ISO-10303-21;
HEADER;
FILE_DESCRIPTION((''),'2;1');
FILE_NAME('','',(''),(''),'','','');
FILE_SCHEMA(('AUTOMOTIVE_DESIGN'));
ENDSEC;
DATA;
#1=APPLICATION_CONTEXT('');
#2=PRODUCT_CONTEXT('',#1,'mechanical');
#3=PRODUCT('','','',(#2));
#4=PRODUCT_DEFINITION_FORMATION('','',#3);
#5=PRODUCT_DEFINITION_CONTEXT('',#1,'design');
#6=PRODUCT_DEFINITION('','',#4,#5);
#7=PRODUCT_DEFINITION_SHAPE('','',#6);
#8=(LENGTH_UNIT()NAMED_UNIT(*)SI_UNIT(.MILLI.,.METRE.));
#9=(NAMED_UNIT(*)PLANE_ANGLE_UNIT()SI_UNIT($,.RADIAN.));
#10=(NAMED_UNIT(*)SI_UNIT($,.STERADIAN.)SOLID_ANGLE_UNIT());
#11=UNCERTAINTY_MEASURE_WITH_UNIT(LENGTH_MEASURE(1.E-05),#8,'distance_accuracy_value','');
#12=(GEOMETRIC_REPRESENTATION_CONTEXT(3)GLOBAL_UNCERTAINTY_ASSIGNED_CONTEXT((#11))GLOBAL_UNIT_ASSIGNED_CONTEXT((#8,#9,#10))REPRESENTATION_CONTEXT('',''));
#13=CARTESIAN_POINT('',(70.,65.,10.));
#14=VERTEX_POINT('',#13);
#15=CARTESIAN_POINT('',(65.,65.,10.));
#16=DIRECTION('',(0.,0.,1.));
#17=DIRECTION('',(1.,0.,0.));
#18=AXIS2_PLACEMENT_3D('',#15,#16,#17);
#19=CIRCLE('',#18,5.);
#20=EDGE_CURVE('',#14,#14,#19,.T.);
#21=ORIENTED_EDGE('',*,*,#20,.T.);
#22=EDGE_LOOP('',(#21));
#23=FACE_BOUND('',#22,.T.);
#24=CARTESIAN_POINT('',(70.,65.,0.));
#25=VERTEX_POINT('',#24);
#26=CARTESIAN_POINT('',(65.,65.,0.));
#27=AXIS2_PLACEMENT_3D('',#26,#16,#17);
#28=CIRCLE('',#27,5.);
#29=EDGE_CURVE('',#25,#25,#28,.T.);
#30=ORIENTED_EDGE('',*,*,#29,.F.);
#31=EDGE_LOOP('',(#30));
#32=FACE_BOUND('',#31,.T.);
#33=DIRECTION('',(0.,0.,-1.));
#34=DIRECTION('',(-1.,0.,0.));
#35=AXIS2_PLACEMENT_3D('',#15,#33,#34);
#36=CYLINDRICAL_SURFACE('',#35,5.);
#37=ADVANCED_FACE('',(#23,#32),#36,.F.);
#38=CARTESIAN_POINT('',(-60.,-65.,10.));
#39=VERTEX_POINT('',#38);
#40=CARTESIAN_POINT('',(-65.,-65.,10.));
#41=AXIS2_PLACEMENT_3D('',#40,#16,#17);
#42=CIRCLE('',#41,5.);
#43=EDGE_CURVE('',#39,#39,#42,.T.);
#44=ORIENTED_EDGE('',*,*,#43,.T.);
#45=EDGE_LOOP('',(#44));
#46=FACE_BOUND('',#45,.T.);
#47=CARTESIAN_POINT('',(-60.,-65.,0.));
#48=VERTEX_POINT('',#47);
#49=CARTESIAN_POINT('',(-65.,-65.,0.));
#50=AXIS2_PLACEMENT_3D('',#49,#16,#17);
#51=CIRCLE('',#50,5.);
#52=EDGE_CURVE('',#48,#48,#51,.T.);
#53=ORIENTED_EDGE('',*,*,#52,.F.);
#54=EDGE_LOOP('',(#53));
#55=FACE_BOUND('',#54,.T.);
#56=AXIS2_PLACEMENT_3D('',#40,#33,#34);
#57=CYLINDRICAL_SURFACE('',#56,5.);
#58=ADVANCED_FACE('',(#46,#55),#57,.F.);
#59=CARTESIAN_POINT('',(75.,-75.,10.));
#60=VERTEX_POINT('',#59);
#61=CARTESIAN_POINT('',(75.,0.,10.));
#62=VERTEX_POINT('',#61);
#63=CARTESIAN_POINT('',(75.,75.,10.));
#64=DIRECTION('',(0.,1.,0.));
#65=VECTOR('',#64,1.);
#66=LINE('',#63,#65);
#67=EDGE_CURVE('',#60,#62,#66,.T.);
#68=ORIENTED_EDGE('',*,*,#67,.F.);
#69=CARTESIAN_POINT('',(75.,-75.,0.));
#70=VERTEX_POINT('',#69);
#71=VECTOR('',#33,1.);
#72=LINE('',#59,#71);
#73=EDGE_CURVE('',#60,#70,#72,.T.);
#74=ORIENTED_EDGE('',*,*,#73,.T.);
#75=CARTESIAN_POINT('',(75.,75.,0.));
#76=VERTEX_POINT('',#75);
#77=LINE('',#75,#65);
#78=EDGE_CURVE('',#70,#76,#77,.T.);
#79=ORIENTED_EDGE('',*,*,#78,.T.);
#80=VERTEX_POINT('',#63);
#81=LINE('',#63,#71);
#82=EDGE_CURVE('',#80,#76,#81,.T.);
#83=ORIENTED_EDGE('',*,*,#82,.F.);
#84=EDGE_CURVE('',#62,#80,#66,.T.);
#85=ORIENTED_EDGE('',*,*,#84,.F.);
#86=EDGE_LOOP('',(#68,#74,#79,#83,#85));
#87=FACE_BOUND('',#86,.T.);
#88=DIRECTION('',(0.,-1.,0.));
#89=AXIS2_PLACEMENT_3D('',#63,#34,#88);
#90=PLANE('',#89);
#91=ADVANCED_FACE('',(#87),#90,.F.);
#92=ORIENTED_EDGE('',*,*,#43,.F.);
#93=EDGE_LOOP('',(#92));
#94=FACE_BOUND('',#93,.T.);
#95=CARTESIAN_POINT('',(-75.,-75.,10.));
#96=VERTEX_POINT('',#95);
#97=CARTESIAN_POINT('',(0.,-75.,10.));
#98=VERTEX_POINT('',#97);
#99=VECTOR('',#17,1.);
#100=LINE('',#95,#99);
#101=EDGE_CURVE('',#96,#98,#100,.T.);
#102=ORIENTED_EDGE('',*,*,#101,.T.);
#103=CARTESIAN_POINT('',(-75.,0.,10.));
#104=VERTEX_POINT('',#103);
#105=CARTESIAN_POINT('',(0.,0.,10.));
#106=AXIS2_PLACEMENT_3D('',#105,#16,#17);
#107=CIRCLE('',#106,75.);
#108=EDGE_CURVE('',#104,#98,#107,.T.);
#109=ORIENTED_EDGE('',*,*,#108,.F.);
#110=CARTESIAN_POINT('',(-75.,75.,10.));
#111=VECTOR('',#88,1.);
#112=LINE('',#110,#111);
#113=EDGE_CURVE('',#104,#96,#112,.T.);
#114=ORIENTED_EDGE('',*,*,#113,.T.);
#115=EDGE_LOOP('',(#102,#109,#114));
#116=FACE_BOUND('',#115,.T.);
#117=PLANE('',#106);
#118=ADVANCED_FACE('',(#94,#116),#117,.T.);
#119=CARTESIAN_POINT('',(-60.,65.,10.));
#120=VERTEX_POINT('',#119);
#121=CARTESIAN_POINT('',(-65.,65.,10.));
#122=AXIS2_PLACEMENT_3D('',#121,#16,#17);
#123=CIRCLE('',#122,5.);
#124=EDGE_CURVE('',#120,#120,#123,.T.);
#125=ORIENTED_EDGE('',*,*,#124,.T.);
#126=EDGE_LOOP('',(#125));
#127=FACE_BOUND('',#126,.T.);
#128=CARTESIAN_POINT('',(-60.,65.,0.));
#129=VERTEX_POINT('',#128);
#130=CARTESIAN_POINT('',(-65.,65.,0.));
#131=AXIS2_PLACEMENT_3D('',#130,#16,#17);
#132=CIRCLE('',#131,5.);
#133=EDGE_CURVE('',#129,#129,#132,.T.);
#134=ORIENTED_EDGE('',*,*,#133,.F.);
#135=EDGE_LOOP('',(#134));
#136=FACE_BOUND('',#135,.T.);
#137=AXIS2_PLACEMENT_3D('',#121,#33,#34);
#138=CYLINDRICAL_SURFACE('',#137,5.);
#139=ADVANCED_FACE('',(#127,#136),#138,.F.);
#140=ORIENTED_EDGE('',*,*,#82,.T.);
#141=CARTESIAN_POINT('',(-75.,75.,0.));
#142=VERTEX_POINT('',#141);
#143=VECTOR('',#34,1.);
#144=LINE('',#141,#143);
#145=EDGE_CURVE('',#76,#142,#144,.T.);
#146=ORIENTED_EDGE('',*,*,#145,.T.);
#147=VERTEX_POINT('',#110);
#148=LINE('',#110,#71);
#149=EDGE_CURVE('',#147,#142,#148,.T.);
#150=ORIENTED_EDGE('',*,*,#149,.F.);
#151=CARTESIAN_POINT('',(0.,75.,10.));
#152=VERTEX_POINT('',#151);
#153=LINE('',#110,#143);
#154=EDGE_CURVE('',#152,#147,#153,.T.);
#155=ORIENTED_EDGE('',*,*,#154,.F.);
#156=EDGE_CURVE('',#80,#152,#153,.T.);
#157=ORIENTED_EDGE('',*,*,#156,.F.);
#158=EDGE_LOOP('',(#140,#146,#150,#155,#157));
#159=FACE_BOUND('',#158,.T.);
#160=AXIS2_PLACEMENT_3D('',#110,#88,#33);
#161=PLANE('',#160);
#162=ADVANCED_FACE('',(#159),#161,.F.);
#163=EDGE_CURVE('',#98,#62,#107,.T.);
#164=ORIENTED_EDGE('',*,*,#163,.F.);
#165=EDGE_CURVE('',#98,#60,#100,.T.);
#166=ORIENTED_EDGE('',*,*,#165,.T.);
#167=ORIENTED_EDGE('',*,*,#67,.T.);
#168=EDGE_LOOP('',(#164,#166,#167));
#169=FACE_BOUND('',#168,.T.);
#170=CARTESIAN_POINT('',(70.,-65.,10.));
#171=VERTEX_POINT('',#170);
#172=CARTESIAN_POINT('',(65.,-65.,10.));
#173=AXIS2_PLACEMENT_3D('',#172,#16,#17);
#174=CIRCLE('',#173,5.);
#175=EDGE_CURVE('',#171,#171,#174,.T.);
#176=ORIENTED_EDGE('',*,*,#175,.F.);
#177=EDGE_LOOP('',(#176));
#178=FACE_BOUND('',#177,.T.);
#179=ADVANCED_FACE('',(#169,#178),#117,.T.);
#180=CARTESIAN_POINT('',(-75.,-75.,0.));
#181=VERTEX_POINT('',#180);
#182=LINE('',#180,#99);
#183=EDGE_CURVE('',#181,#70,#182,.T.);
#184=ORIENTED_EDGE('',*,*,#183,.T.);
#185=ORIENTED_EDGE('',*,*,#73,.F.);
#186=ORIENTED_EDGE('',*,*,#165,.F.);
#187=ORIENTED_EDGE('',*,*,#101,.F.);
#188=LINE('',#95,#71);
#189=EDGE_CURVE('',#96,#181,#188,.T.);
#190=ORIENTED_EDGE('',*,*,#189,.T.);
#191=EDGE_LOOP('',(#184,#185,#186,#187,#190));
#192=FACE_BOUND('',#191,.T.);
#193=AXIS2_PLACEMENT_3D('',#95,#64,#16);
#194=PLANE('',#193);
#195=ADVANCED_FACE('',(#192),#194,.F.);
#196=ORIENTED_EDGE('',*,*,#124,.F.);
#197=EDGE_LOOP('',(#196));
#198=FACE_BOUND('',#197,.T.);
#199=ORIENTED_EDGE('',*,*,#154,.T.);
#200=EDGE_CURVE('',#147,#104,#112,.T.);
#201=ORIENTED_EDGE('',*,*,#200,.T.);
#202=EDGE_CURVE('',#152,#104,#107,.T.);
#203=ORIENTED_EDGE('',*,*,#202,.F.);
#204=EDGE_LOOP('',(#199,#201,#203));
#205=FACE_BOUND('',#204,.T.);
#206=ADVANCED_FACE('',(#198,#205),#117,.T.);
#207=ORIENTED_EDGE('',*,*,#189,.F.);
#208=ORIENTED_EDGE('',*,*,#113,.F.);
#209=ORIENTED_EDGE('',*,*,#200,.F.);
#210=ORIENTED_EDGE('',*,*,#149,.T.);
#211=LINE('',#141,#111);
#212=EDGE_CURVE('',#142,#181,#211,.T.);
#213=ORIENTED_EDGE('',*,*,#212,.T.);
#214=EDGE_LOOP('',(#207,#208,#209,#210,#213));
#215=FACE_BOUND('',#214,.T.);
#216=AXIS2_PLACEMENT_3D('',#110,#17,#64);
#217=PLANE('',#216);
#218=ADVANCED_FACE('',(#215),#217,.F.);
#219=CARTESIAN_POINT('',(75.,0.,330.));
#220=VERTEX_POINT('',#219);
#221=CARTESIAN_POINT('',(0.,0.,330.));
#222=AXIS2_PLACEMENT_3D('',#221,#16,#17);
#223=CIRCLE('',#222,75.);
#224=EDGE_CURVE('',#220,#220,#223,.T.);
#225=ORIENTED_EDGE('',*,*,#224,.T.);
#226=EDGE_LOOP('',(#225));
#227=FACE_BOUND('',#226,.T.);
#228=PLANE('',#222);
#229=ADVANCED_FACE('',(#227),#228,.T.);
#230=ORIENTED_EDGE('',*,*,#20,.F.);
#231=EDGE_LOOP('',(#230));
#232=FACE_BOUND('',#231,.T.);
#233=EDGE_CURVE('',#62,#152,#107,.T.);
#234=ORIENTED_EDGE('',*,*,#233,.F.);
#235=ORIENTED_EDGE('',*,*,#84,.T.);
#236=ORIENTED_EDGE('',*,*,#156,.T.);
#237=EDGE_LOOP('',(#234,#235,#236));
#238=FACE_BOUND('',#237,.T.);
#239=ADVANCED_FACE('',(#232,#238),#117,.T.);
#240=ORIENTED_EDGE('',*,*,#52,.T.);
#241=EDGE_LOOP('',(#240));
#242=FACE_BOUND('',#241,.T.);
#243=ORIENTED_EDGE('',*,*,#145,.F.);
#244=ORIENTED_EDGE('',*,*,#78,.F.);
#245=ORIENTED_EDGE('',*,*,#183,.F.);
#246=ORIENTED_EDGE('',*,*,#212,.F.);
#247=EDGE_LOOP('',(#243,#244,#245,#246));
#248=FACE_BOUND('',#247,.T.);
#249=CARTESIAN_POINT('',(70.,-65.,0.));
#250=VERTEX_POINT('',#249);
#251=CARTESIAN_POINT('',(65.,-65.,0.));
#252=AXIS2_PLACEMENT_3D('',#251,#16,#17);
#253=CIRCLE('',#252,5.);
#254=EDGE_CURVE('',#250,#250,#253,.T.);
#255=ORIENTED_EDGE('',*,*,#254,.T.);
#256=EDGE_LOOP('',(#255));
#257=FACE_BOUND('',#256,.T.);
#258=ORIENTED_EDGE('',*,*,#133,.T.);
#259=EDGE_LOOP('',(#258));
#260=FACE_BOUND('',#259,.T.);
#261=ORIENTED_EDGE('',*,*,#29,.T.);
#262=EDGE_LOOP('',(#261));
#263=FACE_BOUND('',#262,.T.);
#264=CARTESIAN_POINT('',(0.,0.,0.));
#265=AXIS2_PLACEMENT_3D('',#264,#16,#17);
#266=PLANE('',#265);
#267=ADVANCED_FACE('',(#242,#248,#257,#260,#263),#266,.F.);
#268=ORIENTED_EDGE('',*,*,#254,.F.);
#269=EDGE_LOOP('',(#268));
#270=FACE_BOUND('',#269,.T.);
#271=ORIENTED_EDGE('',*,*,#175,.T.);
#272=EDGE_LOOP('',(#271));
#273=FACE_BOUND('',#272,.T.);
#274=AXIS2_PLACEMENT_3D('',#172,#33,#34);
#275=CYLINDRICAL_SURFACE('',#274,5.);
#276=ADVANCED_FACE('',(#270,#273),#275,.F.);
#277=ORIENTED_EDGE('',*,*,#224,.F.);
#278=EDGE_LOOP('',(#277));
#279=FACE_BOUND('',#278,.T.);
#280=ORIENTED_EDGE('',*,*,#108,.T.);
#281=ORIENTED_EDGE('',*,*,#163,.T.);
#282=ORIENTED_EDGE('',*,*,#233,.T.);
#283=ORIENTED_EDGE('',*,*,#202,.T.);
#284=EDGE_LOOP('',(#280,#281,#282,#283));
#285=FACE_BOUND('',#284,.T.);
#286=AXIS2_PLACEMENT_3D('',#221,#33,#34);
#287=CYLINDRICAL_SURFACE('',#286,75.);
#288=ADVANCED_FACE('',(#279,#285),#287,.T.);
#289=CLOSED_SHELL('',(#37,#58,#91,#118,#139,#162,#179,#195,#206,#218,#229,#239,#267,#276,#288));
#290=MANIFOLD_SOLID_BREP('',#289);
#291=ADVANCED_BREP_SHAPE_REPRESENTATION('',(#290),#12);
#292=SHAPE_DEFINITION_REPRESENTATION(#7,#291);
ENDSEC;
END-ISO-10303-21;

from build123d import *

# Parameters (mm, degrees)
SKIZZE2_W                       = 150
SKIZZE2_H                       = 150
SKIZZE2_R                       = 5
AUFSATZ_LINEAR_AUSTRAGEN1_DEPTH = 10
SKIZZE3_R                       = 75
AUFSATZ_LINEAR_AUSTRAGEN2_DEPTH = 320


with BuildPart() as part:
    # Skizze2 → Aufsatz-Linear austragen1 (new body)
    with BuildSketch(Plane.XY):
        Rectangle(SKIZZE2_W, SKIZZE2_H)
        with Locations((-65, 65)):
            Circle(SKIZZE2_R, mode=Mode.SUBTRACT)
        with Locations((65, 65)):
            Circle(SKIZZE2_R, mode=Mode.SUBTRACT)
        with Locations((65, -65)):
            Circle(SKIZZE2_R, mode=Mode.SUBTRACT)
        with Locations((-65, -65)):
            Circle(SKIZZE2_R, mode=Mode.SUBTRACT)
    extrude(amount=AUFSATZ_LINEAR_AUSTRAGEN1_DEPTH)

    # Skizze3 → Aufsatz-Linear austragen2 (add)
    with BuildSketch(Plane.XY.offset(10)):
        Circle(SKIZZE3_R)
    extrude(amount=AUFSATZ_LINEAR_AUSTRAGEN2_DEPTH)


solid = part.part
